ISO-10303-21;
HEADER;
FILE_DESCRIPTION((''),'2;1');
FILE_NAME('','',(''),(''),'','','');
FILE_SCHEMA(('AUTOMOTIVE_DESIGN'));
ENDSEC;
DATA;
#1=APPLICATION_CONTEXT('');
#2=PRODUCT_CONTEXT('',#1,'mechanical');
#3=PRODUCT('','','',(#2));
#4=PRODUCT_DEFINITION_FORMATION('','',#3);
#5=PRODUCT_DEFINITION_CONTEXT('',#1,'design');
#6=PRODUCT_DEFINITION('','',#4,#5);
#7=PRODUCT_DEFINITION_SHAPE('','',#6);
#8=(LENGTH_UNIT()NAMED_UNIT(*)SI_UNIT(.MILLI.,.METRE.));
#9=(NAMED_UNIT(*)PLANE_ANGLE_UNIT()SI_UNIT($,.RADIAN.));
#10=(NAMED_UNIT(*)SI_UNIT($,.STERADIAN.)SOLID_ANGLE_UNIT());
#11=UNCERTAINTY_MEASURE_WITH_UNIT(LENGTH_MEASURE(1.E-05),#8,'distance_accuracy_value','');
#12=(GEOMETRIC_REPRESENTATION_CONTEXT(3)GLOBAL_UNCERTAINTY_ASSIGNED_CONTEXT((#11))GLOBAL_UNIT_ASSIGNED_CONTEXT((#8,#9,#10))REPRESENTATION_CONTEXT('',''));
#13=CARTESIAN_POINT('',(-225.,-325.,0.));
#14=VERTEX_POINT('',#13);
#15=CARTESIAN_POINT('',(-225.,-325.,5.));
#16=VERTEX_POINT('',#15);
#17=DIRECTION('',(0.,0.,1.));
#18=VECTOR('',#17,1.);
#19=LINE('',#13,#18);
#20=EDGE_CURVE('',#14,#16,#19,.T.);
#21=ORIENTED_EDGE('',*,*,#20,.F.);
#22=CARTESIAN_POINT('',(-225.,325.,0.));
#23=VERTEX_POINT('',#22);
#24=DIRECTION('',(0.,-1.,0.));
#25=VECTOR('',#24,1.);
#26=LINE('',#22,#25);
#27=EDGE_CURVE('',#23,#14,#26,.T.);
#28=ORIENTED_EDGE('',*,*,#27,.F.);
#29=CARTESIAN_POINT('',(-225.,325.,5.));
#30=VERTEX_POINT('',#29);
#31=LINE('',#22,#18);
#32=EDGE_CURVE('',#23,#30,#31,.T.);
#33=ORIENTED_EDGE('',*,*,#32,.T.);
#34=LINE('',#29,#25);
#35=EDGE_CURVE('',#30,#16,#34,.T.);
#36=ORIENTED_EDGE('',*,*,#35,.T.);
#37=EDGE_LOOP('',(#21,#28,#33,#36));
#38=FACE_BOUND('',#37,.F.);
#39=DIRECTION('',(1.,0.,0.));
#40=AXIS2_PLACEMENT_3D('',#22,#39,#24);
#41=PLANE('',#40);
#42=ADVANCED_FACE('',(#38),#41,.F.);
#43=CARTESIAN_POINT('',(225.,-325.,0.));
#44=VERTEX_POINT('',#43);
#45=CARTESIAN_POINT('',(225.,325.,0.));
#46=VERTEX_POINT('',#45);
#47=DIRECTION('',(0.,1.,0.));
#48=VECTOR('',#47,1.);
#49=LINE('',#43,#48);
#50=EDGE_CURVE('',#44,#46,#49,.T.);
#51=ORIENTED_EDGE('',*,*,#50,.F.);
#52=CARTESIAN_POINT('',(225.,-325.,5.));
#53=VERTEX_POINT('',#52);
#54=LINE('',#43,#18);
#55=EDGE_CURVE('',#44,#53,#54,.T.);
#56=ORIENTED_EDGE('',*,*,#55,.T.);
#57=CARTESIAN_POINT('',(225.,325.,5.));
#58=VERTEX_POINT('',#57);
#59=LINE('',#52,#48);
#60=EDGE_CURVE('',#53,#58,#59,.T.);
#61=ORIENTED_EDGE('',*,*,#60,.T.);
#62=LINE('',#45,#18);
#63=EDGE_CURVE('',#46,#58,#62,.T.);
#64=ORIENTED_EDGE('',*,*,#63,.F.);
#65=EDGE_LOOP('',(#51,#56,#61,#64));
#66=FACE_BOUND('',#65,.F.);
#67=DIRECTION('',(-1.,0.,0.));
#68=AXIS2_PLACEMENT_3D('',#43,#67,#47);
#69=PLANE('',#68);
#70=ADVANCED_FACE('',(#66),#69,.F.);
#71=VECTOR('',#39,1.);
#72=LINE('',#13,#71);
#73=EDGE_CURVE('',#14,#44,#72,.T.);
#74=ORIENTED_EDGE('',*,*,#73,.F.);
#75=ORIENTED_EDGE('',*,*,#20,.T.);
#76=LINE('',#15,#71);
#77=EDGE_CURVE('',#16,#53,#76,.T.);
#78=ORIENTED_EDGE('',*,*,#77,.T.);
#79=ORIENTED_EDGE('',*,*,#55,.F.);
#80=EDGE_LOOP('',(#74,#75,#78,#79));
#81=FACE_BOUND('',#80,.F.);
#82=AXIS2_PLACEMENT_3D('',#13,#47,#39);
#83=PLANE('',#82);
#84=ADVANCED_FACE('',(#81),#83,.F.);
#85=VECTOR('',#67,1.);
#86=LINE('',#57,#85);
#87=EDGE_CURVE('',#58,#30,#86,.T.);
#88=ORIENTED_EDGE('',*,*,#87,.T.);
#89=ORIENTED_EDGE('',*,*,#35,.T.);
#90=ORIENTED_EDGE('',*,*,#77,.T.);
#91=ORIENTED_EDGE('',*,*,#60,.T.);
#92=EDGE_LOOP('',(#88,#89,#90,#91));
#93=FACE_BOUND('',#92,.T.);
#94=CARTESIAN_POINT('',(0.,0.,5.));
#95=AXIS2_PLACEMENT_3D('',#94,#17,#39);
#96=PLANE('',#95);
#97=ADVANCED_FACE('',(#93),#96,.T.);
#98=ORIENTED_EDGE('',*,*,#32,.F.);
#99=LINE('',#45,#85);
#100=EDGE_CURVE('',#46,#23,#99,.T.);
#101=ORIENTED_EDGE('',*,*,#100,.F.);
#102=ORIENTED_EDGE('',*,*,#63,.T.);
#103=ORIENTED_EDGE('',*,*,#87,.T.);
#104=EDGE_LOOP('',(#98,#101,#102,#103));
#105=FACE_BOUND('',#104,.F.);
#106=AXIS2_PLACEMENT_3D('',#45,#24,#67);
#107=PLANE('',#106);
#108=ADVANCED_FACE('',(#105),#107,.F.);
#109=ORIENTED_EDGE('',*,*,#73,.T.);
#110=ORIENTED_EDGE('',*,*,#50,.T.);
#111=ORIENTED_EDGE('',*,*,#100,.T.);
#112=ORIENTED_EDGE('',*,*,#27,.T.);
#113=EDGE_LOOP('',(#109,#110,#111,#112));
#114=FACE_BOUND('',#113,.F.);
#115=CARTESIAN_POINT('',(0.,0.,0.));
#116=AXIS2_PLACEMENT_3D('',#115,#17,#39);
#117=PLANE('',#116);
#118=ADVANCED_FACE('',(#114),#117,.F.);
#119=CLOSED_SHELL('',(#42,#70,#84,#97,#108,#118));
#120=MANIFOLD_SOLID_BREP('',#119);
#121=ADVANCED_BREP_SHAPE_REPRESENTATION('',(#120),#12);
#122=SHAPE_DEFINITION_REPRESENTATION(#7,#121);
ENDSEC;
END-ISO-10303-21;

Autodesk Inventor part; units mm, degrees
ref_plane "YZ Plane" through (0, 0, 0) normal (1, 0, 0) x (0, 1, 0)
ref_plane "XZ Plane" through (0, 0, 0) normal (0, 1, 0) x (-1, 0, 0)
ref_plane "XY Plane" through (0, 0, 0) normal (0, 0, 1) x (1, 0, 0)
sketch "Sketch1" plane through (0, 0, 0) normal (0, 0, 1) x (1, 0, 0)
  line L0 (-225, -325) -> (225, -325)
  line L1 (225, -325) -> (225, 325)
  line L2 (225, 325) -> (-225, 325)
  line L3 (-225, 325) -> (-225, -325)
  line L4 (-225, -325) -> (225, 325) construction
  line L5 (225, -325) -> (-225, 325) construction
  point P0 (0, 0)
  dimension "d0" = 450
  dimension "d1" = 650
extrude "Extrusion1" add sketch "Sketch1" along normal blind 5
properties part number "Foam Sheet Back" material "PVC-Piping"
